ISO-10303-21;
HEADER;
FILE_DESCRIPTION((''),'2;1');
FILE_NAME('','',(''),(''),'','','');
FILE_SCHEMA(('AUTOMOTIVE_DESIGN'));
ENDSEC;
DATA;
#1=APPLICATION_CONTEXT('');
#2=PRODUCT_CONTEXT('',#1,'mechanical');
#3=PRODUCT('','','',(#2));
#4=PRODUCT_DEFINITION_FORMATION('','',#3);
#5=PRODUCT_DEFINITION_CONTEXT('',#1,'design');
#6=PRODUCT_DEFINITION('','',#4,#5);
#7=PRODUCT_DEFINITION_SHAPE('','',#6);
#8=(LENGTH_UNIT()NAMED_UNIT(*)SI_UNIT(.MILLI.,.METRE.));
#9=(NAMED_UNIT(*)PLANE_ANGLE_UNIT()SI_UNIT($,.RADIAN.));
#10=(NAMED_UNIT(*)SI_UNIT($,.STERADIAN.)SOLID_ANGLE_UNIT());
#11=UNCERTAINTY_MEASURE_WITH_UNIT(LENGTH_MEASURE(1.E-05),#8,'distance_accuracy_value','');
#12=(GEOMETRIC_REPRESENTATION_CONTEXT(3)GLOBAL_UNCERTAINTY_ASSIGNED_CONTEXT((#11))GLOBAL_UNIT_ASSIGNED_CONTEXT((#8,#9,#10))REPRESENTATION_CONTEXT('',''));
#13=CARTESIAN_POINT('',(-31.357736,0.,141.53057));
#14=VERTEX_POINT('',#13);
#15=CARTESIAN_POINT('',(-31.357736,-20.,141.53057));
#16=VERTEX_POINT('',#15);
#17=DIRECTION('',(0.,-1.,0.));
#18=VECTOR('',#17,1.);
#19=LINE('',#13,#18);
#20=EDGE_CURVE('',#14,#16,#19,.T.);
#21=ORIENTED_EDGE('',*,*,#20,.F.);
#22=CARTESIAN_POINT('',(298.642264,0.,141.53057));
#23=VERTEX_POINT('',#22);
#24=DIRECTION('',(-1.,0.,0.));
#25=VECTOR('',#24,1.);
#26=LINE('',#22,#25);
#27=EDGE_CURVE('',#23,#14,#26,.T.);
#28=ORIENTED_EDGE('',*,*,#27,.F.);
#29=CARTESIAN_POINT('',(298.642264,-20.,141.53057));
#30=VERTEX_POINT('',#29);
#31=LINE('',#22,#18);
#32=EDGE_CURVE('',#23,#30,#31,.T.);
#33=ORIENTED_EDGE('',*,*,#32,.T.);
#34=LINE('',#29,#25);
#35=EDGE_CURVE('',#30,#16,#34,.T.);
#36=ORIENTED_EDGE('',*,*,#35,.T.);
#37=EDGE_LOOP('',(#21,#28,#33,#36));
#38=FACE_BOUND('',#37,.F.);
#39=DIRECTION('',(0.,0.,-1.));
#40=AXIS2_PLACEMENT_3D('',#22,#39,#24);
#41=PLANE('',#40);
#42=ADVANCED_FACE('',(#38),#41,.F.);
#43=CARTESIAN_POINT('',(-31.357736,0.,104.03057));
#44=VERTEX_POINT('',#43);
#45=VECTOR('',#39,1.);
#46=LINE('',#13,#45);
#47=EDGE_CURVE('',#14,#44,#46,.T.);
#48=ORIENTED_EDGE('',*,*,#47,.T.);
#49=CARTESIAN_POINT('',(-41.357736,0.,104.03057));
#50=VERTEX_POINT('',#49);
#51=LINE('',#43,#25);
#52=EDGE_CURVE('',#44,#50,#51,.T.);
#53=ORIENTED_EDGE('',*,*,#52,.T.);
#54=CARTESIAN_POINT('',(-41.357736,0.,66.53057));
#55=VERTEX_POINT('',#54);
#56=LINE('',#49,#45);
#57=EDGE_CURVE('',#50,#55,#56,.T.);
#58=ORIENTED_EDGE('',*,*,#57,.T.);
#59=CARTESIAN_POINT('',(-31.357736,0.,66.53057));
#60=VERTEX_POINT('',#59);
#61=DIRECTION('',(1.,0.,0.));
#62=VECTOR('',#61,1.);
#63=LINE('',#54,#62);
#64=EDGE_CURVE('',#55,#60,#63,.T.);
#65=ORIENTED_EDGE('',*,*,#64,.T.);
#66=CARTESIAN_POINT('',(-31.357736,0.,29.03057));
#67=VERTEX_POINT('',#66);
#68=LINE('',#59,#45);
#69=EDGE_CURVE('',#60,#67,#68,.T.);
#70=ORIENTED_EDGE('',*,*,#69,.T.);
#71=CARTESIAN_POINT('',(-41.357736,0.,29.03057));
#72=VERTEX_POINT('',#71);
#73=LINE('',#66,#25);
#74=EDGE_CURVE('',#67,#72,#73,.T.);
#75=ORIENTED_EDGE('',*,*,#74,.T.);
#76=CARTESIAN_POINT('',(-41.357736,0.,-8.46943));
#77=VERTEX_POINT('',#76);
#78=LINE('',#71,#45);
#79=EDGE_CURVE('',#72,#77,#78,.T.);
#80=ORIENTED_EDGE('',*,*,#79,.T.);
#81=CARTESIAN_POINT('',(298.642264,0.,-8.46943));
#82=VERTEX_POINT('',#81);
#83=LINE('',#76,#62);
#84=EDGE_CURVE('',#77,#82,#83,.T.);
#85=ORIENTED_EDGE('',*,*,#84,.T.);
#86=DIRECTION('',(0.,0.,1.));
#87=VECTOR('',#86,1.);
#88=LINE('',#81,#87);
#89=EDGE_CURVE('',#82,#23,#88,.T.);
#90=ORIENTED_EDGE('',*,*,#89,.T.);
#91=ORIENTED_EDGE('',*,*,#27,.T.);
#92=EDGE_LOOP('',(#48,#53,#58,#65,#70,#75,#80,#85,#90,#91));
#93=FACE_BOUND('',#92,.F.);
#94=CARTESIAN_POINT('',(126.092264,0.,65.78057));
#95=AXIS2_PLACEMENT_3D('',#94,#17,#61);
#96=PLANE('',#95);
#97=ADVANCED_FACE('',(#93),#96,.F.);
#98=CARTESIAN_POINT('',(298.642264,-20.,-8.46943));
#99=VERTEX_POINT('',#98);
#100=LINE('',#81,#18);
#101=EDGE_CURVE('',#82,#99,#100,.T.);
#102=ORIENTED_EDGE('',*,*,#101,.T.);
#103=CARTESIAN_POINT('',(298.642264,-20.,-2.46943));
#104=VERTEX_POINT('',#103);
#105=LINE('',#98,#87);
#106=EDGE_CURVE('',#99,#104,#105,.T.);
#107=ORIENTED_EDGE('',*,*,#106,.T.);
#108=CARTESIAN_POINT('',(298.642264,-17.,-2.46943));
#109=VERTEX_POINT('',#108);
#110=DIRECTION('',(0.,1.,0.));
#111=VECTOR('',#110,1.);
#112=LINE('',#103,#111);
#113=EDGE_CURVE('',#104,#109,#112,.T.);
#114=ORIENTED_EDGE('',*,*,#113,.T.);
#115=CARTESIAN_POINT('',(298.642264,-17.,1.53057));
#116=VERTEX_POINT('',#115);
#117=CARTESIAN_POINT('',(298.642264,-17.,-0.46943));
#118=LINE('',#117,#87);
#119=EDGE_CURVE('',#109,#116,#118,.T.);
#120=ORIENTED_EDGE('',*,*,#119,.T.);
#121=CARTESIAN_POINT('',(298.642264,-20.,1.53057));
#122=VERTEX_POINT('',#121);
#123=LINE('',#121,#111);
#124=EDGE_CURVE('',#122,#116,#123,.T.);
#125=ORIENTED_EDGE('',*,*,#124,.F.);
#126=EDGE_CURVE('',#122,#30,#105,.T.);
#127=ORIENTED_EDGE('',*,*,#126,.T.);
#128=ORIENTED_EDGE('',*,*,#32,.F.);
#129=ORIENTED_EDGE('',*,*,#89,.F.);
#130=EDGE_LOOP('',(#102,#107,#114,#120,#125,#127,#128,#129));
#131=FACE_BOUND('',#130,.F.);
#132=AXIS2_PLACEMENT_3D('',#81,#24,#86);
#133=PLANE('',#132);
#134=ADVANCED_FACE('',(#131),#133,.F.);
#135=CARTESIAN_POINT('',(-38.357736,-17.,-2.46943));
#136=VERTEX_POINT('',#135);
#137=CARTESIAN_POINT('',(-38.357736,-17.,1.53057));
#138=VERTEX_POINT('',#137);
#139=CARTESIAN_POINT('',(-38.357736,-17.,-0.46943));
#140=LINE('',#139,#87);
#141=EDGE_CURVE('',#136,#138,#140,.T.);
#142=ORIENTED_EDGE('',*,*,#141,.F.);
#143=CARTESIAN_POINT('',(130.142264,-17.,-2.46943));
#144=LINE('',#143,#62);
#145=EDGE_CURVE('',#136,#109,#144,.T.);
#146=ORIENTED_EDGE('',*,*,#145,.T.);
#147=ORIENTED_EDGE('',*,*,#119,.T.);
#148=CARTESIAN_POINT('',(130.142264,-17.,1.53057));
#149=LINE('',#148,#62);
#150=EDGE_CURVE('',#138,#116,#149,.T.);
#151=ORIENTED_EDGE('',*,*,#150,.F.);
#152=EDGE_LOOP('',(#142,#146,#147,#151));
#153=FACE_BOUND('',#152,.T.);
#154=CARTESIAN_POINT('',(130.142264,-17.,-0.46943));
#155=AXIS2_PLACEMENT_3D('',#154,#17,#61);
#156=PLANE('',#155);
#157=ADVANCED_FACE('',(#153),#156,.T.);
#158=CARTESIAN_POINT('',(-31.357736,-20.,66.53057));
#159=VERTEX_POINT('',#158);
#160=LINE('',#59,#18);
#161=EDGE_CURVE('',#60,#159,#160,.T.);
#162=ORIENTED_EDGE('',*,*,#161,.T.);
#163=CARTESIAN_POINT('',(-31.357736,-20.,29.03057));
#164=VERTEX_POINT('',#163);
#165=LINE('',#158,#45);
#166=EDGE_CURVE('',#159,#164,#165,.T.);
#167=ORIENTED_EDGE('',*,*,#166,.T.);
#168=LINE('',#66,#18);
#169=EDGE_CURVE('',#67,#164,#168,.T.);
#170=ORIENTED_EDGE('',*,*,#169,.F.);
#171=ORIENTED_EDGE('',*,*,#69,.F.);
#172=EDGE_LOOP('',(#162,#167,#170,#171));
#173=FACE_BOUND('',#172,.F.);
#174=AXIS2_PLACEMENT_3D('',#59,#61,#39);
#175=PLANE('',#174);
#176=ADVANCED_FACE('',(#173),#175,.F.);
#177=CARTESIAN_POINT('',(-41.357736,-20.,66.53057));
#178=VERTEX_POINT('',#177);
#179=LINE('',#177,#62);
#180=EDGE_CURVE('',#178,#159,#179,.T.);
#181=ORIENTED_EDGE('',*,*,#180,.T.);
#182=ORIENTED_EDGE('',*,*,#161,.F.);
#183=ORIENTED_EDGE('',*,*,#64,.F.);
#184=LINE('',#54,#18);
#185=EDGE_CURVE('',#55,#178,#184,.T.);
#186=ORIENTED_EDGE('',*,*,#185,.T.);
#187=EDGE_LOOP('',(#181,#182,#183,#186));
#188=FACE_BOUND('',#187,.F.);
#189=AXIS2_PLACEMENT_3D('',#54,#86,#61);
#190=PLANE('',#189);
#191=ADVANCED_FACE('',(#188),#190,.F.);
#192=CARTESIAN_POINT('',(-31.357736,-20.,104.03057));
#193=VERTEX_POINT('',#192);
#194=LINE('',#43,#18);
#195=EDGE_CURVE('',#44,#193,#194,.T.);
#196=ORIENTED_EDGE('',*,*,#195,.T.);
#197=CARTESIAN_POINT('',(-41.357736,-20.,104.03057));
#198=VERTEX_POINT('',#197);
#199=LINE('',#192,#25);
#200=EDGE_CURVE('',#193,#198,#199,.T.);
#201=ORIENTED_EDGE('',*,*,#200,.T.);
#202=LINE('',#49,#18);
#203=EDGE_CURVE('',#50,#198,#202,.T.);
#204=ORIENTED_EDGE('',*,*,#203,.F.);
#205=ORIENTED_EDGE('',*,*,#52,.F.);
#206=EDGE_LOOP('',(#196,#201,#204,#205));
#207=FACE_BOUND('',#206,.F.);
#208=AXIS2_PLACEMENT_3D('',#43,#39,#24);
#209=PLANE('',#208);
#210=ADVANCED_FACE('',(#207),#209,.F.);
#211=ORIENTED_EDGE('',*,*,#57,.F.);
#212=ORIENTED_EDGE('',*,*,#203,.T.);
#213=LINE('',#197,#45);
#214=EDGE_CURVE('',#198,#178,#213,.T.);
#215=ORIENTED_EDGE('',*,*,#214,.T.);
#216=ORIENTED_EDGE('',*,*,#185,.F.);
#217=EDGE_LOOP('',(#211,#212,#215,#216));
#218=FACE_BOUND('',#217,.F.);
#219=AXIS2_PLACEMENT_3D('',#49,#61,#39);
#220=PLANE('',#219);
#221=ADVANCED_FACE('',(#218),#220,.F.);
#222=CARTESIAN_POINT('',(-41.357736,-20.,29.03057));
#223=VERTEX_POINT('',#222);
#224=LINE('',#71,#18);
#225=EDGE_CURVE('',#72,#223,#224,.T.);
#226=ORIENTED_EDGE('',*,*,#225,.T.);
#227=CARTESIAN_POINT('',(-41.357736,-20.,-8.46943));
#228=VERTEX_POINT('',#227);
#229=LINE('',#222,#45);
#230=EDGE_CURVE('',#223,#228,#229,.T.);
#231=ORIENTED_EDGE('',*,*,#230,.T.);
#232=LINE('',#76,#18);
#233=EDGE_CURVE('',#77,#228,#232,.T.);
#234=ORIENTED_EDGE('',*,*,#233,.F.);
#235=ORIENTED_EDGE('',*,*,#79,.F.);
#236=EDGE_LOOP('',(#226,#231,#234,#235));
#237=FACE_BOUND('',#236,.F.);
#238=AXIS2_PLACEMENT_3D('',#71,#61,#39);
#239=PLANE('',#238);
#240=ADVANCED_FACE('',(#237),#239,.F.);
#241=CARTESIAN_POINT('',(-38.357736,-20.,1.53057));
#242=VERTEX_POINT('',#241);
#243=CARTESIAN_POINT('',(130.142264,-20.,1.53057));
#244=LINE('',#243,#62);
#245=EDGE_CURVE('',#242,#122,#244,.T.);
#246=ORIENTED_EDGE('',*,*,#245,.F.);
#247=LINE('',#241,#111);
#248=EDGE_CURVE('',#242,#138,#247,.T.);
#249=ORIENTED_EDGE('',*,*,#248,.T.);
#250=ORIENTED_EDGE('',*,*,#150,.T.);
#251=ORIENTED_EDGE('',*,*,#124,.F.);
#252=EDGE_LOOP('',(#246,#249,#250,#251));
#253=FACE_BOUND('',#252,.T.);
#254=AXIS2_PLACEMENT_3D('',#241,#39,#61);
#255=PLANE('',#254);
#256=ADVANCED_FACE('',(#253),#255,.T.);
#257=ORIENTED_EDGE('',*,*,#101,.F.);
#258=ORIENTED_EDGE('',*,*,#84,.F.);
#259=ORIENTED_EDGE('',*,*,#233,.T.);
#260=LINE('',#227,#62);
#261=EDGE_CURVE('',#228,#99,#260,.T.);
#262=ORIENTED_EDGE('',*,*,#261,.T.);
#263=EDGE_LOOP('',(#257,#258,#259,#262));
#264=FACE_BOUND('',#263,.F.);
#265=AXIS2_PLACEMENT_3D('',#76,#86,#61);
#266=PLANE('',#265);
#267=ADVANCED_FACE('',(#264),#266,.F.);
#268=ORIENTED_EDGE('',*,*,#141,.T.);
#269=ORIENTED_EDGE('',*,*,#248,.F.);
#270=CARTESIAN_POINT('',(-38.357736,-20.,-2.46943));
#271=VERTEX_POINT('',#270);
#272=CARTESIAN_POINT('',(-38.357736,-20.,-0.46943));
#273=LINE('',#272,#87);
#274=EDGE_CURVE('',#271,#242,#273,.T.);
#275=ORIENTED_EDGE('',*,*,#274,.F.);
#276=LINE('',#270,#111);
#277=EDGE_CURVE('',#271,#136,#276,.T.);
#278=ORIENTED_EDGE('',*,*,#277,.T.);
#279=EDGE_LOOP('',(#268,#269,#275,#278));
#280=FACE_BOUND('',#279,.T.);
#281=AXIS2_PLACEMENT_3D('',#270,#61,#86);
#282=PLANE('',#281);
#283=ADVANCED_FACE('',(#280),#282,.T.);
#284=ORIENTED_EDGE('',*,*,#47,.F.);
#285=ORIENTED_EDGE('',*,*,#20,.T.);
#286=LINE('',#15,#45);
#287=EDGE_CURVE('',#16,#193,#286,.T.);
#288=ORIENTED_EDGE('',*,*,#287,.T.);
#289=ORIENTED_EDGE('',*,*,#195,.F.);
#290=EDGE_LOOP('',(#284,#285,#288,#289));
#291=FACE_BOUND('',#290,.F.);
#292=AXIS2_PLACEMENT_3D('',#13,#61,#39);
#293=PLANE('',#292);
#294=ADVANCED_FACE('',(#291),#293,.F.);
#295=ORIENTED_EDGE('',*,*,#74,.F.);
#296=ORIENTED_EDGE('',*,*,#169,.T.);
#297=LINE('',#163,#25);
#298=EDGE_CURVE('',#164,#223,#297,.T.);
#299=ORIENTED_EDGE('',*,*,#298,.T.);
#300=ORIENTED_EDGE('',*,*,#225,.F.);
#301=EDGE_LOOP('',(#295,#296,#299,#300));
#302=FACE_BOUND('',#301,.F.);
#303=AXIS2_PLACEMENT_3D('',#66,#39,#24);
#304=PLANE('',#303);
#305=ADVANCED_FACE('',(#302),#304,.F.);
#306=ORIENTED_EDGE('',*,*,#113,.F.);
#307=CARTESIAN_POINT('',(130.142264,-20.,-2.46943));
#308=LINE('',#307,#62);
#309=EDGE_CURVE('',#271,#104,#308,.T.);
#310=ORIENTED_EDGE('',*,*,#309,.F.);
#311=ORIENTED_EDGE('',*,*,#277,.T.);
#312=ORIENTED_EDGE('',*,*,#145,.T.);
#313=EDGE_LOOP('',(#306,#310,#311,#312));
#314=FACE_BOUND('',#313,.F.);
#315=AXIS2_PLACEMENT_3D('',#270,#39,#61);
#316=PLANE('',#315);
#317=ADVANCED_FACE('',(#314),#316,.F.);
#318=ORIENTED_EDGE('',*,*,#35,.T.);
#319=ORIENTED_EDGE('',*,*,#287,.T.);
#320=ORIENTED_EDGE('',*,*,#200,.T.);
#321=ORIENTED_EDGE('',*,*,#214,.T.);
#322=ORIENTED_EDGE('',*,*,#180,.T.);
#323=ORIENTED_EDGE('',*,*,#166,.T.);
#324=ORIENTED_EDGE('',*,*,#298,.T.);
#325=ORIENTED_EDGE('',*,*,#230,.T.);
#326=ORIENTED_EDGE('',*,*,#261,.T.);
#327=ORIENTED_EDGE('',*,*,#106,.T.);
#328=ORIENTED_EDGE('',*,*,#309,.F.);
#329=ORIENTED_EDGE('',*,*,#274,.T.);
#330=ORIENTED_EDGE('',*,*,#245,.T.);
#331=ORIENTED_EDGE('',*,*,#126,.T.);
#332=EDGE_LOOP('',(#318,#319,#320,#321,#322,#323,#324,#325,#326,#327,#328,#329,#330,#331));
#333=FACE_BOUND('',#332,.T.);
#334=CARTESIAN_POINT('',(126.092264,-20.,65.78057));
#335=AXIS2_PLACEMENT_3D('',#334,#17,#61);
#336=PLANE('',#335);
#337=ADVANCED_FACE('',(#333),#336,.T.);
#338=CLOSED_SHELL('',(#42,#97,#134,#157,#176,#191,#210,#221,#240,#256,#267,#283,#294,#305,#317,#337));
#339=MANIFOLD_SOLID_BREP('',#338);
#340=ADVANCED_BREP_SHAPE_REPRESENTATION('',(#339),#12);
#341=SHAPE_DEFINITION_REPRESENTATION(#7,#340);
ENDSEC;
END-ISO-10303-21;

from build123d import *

# Parameters (mm, degrees)
F1_DEPTH = 20
F2_W     = 337
F2_H     = 4
F3_DEPTH = 3


with BuildPart() as f1:
    # F0 (on Front) → F1 (new body)
    with BuildSketch(Plane.XZ):
        Polygon((298.642264, -8.46943), (298.642264, 141.53057), (-31.357736, 141.53057), (-31.357736, 104.03057), (-41.357736, 104.03057), (-41.357736, 66.53057), (-31.357736, 66.53057), (-31.357736, 29.03057), (-41.357736, 29.03057), (-41.357736, -8.46943), align=None)
    extrude(amount=F1_DEPTH)

    # F2 (on face) → F3 (cut)
    with BuildSketch(Plane.XZ.offset(20)):
        with Locations((130.142264, -0.46943)):
            Rectangle(F2_W, F2_H)
    extrude(amount=-F3_DEPTH, mode=Mode.SUBTRACT)


solid = f1.part
